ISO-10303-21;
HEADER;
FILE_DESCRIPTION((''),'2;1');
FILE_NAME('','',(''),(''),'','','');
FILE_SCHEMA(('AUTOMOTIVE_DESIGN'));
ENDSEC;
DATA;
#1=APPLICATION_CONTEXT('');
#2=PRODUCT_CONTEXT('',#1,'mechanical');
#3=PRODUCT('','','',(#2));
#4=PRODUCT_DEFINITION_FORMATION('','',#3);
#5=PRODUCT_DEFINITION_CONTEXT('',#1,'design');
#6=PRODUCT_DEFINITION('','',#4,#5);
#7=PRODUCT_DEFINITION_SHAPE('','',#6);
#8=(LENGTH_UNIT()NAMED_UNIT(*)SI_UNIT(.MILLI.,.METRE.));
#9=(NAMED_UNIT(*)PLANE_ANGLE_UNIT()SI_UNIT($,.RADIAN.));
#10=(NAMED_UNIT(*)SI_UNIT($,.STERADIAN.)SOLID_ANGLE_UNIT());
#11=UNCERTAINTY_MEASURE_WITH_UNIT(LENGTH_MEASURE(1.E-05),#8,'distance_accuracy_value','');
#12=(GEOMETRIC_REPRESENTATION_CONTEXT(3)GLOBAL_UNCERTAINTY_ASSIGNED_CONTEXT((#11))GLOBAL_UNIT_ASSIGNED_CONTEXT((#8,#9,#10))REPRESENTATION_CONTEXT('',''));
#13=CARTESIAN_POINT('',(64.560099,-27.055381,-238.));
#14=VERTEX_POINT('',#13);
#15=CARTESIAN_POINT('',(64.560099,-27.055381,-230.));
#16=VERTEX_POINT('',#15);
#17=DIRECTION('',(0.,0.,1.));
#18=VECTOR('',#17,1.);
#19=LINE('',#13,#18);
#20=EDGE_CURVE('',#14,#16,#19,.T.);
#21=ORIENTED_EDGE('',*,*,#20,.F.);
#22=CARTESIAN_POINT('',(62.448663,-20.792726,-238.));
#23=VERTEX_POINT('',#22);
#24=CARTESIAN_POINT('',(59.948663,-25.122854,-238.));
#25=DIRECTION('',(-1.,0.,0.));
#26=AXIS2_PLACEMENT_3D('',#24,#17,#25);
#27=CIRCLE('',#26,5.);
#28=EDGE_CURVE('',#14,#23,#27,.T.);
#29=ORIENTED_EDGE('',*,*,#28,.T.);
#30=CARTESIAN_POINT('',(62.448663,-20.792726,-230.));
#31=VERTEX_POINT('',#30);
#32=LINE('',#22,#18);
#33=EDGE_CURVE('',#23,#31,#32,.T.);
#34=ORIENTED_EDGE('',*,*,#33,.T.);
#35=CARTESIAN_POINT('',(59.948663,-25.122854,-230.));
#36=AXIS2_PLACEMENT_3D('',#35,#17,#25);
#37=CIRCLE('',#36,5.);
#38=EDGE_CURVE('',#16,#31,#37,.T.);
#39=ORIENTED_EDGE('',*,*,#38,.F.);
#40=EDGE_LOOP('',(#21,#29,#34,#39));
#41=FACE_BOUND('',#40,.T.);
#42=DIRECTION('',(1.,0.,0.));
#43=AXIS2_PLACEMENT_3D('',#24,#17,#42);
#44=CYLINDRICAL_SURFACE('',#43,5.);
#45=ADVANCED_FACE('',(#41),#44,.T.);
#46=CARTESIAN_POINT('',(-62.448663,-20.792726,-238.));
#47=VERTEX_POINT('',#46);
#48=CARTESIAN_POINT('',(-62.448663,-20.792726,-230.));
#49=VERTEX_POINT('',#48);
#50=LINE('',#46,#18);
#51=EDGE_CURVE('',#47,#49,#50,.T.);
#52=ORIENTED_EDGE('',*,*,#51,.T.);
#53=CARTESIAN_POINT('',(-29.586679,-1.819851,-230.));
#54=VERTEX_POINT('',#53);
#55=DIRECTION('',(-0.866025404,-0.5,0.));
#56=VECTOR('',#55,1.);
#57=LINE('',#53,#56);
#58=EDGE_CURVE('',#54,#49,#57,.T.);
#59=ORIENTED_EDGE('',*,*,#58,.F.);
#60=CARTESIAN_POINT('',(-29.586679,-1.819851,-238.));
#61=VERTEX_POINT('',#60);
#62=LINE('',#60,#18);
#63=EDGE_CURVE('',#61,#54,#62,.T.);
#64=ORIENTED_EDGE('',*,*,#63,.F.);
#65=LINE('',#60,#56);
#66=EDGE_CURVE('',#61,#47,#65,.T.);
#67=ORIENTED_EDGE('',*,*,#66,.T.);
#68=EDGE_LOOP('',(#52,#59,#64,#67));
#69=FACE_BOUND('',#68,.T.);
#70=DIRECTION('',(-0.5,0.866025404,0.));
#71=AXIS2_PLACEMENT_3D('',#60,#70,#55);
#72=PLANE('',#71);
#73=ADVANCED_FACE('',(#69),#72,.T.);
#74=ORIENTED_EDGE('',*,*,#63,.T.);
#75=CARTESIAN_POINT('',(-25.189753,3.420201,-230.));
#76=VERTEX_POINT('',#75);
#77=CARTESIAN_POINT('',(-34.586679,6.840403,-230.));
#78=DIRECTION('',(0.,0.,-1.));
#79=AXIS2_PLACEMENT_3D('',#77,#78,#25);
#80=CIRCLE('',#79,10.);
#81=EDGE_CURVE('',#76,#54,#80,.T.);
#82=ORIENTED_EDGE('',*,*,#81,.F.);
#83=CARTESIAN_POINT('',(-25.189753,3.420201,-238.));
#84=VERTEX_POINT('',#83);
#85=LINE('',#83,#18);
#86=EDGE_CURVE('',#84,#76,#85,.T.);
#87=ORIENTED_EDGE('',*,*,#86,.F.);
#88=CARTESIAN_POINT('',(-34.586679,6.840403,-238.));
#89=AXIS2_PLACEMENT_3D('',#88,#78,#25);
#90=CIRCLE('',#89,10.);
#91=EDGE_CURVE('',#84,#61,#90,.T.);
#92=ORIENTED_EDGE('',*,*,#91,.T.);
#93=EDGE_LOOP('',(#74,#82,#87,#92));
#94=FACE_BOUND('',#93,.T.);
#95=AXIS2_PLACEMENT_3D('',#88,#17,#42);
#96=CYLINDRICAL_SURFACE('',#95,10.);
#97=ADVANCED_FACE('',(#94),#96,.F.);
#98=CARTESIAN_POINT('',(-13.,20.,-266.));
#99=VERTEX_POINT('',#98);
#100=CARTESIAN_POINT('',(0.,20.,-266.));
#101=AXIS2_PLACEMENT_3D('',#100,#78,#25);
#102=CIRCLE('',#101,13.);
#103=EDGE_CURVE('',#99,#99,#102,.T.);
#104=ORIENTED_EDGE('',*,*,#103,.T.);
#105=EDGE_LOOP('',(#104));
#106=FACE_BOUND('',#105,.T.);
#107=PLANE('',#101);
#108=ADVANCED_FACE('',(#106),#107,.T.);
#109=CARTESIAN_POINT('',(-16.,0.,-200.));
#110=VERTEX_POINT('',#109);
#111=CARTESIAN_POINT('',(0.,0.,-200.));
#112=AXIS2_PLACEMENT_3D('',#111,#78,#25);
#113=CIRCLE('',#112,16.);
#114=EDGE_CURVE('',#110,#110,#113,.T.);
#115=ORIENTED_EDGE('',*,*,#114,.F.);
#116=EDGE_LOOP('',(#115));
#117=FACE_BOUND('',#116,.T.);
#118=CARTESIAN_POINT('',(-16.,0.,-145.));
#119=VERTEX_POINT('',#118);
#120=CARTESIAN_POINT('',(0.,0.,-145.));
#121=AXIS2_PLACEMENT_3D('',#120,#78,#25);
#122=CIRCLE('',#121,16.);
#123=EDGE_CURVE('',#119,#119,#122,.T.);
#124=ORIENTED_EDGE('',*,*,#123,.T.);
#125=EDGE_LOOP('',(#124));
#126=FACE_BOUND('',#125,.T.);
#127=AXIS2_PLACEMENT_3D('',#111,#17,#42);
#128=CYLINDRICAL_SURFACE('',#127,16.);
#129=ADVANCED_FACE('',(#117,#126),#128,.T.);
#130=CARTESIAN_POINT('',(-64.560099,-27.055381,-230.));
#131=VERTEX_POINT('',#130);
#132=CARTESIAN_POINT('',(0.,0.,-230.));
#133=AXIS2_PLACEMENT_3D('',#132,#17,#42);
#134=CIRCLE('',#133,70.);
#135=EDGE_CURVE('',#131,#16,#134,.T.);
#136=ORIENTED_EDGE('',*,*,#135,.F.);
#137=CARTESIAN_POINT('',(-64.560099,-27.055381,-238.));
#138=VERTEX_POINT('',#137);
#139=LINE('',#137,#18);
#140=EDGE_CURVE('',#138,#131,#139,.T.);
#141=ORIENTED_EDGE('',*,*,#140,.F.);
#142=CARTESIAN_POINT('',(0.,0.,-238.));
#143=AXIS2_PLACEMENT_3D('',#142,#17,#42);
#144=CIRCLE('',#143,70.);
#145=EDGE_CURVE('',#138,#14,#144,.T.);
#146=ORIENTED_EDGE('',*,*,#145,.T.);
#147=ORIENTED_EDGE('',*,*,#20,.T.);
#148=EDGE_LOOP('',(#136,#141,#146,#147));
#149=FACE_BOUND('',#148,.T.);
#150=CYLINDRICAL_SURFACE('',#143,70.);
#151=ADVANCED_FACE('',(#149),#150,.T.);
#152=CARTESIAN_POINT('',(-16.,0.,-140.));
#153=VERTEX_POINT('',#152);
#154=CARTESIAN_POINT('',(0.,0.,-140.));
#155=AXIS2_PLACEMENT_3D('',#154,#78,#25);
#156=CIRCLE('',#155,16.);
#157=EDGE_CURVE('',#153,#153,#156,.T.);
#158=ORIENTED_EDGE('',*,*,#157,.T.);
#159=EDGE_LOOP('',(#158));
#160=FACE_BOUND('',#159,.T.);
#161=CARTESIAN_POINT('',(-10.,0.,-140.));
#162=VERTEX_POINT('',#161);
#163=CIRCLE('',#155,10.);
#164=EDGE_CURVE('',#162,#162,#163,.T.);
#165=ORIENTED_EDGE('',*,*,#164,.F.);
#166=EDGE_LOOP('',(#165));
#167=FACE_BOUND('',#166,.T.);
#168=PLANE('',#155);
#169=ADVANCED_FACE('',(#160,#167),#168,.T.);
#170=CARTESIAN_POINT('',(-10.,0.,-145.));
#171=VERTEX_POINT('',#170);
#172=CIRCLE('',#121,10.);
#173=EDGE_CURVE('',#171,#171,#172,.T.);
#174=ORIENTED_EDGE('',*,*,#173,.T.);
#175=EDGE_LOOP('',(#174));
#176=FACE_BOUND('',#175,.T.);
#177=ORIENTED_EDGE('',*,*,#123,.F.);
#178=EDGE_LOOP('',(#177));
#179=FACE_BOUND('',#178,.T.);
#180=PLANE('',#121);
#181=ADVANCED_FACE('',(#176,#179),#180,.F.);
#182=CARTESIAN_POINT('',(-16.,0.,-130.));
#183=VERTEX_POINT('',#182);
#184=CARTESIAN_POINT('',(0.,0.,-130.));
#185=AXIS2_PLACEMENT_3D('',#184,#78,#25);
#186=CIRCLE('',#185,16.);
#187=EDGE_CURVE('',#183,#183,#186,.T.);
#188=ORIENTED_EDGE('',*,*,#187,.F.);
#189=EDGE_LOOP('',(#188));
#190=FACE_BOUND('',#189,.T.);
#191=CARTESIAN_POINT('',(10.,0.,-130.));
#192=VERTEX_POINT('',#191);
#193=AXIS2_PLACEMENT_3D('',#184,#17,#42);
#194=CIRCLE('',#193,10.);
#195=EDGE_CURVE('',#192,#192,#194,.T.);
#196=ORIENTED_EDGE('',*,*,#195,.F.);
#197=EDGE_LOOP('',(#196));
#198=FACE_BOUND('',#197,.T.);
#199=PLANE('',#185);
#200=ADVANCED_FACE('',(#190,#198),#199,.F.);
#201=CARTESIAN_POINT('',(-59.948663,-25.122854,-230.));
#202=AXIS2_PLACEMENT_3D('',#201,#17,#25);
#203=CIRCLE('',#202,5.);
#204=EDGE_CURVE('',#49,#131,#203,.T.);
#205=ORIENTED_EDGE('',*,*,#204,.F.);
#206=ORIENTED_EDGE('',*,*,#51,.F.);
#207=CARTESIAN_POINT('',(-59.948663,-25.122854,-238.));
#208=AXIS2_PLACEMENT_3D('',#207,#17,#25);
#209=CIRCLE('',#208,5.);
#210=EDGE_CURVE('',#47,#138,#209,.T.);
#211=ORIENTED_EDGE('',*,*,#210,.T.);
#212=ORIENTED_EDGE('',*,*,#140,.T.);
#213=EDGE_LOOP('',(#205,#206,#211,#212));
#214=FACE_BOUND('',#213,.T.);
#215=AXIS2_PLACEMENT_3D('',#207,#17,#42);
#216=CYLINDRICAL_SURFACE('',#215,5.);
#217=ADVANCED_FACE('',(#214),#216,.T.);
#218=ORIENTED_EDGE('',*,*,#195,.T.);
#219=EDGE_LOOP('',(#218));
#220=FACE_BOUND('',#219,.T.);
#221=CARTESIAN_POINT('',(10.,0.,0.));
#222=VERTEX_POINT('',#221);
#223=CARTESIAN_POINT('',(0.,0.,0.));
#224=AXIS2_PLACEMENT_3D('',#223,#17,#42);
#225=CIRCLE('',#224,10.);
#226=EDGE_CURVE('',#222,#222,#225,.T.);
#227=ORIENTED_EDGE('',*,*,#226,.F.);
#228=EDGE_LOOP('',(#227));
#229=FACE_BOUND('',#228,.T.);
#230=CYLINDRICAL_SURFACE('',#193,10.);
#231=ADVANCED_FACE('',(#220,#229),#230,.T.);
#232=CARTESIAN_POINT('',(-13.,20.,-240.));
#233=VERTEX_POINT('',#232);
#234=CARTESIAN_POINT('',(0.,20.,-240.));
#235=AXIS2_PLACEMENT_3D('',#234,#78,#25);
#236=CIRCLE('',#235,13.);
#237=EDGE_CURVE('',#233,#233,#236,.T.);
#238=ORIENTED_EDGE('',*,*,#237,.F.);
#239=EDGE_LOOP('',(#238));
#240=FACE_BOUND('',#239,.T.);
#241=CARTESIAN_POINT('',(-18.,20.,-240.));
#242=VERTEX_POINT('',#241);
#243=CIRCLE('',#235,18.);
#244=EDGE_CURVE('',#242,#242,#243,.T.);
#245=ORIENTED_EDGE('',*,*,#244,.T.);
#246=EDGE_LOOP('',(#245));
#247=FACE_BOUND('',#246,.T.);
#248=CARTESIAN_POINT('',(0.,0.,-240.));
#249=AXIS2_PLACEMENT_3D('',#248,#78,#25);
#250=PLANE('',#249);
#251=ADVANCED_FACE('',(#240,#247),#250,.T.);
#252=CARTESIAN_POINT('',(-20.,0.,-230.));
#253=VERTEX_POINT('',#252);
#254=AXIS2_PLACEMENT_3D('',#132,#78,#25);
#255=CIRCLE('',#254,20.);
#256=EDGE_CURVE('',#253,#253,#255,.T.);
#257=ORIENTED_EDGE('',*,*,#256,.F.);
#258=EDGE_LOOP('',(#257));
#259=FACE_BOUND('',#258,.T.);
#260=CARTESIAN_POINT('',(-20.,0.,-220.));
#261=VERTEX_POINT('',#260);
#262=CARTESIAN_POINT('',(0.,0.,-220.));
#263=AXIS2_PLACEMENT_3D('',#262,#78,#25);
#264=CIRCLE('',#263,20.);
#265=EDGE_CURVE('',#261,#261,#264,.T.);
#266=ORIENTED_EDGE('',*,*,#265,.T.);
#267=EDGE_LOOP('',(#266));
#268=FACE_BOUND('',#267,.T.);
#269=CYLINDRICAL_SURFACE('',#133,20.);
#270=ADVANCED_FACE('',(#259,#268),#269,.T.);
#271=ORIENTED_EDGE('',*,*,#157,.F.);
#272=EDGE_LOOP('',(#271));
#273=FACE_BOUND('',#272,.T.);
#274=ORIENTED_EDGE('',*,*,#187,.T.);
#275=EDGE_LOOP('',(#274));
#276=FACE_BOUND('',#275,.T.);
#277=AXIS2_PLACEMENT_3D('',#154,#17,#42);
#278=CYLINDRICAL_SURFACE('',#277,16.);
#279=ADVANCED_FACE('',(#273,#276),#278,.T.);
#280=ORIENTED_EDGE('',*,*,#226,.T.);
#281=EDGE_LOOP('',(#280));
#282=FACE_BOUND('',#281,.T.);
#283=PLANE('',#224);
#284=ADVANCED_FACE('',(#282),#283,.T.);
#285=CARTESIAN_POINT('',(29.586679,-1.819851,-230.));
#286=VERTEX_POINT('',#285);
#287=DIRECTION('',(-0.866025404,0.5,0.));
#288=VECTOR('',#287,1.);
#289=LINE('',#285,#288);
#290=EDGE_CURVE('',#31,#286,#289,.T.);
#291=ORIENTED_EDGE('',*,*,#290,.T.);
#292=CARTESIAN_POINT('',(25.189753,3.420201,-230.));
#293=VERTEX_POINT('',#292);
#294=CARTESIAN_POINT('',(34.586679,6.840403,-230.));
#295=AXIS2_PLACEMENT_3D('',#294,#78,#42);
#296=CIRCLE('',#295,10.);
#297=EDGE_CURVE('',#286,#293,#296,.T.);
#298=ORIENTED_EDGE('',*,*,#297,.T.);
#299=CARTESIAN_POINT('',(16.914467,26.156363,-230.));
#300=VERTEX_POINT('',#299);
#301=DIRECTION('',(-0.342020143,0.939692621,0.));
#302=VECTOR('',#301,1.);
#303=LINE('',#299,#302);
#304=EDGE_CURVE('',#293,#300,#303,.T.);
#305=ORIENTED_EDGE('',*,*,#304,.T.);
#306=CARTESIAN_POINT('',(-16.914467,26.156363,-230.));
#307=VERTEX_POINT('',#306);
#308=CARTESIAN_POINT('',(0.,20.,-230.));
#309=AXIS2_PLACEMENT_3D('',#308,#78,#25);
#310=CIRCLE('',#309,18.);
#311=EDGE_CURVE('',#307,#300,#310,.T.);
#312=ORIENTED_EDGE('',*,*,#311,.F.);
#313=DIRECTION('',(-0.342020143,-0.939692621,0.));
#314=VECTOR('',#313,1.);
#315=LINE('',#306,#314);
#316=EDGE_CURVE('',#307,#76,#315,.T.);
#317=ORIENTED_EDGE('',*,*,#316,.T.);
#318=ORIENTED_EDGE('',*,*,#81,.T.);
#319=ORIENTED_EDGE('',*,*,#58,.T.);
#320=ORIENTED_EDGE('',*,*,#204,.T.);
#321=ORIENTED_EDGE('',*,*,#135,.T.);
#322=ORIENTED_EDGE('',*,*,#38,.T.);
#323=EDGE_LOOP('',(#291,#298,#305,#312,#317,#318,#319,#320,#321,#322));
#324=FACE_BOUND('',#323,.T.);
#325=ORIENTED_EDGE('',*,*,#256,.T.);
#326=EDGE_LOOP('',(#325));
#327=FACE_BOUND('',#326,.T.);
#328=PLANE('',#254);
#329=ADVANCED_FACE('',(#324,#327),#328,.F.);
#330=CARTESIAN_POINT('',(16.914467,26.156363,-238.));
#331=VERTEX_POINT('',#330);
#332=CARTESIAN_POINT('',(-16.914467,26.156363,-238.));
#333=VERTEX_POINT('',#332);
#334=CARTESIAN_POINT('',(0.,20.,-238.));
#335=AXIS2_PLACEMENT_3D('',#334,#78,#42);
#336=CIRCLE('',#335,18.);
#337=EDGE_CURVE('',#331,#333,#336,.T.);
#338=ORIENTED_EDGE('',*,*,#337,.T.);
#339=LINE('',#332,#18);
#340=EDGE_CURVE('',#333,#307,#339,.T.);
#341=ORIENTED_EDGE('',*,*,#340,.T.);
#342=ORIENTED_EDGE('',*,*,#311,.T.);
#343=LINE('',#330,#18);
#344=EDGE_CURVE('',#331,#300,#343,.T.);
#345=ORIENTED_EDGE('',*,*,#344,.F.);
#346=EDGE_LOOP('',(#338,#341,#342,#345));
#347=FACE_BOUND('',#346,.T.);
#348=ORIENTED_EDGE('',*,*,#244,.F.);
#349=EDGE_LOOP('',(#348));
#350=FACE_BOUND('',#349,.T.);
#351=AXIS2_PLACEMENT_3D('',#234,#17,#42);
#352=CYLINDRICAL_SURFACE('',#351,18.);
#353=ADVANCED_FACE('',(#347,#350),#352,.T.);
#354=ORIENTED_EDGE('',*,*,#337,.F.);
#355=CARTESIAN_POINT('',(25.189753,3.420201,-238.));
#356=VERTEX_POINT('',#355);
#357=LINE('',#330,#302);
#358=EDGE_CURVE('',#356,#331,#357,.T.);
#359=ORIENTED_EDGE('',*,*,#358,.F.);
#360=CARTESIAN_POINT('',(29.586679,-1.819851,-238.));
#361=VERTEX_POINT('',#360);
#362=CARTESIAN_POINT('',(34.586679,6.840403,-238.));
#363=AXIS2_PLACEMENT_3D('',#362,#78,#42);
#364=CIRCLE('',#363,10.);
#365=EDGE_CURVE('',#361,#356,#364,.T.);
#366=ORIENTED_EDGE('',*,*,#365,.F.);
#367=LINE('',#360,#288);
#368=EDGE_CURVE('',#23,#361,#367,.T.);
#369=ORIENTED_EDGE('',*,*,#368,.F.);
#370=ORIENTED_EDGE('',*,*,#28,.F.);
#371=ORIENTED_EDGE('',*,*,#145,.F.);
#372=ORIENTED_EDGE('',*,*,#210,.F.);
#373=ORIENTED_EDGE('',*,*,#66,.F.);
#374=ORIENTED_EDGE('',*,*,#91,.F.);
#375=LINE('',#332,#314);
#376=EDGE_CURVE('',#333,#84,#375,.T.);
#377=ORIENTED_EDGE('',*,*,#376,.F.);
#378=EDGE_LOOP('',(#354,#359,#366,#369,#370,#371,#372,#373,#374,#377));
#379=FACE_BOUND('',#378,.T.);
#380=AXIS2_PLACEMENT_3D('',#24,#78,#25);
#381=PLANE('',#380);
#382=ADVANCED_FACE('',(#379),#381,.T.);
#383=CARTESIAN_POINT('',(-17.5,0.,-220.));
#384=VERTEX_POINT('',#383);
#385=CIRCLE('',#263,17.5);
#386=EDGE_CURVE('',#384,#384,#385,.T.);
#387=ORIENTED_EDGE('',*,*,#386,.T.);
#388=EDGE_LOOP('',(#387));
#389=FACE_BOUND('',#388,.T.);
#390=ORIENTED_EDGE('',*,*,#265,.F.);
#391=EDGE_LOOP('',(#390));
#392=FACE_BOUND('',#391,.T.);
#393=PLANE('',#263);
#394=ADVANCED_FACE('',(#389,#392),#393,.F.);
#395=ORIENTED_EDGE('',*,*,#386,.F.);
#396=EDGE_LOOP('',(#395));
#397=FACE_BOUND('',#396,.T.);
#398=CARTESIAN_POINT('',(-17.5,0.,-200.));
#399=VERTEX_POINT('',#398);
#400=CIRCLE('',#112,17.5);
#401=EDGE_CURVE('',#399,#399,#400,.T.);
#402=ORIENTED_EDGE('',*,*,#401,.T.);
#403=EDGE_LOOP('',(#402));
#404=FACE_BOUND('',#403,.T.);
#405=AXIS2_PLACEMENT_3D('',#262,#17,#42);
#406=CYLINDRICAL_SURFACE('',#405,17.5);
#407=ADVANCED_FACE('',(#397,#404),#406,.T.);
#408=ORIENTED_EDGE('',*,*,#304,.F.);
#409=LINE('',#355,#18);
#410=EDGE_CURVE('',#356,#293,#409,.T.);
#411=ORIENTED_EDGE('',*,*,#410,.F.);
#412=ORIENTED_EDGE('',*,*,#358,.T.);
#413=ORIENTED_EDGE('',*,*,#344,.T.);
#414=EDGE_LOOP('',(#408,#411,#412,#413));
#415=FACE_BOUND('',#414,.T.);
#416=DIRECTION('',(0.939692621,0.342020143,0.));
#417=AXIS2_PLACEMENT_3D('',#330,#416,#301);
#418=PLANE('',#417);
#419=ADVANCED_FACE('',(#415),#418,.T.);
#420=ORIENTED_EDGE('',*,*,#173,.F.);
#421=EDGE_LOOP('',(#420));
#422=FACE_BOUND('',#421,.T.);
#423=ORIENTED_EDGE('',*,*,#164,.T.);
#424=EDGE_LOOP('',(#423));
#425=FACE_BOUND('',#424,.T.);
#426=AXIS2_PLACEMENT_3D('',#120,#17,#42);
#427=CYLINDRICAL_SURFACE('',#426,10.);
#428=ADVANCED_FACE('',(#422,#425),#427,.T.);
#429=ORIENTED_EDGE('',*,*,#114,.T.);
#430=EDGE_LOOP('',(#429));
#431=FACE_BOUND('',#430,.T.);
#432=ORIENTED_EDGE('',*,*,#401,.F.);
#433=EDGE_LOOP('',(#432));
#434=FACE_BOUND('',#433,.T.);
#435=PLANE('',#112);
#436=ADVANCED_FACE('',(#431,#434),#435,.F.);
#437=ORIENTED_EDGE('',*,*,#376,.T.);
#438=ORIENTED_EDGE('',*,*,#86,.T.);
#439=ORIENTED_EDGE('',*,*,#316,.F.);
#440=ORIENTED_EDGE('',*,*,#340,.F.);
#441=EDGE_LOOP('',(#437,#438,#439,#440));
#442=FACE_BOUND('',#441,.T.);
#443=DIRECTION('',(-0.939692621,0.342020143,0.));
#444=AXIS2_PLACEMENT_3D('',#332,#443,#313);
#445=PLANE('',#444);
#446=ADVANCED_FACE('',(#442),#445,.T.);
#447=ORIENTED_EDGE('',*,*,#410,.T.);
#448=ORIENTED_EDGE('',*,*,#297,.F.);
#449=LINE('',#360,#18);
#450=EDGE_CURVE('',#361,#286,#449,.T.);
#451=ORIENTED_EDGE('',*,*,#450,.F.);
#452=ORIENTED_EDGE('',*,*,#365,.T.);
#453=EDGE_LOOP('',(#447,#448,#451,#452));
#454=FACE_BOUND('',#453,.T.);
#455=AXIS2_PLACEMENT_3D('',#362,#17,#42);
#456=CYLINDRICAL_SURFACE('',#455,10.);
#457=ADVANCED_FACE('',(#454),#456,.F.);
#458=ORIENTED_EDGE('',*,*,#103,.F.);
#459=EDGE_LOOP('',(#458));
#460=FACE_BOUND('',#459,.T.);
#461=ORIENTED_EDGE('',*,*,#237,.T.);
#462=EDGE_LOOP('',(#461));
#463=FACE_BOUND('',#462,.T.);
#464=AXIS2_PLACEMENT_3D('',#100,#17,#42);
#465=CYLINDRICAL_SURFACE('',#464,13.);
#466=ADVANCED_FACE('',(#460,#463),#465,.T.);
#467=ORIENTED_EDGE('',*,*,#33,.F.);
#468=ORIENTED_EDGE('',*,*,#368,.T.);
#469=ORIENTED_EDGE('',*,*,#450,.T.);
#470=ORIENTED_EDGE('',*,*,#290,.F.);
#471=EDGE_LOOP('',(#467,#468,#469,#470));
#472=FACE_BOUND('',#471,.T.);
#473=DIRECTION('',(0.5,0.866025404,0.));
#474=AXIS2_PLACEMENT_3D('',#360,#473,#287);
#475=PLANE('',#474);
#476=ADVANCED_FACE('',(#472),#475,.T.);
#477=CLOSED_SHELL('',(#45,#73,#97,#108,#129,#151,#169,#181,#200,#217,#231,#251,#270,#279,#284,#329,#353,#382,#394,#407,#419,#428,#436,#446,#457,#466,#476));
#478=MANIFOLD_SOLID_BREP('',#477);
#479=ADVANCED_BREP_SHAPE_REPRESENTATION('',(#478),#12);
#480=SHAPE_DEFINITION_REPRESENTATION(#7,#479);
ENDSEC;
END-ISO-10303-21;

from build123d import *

# Parameters (mm, degrees)
SKETCH1_R            = 10
BOSS_EXTRUDE1_DEPTH  = 130
SKETCH2_R            = 16
BOSS_EXTRUDE2_DEPTH  = 10
SKETCH3_R            = 10
BOSS_EXTRUDE4_DEPTH  = 5
SKETCH6_R            = 16
BOSS_EXTRUDE5_DEPTH  = 55
SKETCH7_R            = 17.5
BOSS_EXTRUDE6_DEPTH  = 20
SKETCH8_R            = 20
BOSS_EXTRUDE7_DEPTH  = 10
SKETCH9_R            = 18
BOSS_EXTRUDE8_DEPTH  = 10
SKETCH10_R           = 13
BOSS_EXTRUDE9_DEPTH  = 26
BOSS_EXTRUDE10_DEPTH = 8


with BuildPart() as part:
    # Sketch1 → Boss-Extrude1 (new body)
    with BuildSketch(Plane.XY):
        Circle(SKETCH1_R)
    extrude(amount=-BOSS_EXTRUDE1_DEPTH)

    # Sketch2 → Boss-Extrude2 (add)
    with BuildSketch(Plane(origin=(0, 0, -130), x_dir=(-1, 0, 0), z_dir=(0, 0, -1))):
        Circle(SKETCH2_R)
    extrude(amount=BOSS_EXTRUDE2_DEPTH)

    # Sketch3 → Boss-Extrude4 (add)
    with BuildSketch(Plane(origin=(0, 0, -140), x_dir=(-1, 0, 0), z_dir=(0, 0, -1))):
        Circle(SKETCH3_R)
    extrude(amount=BOSS_EXTRUDE4_DEPTH)

    # Sketch6 → Boss-Extrude5 (add)
    with BuildSketch(Plane(origin=(0, 0, -145), x_dir=(-1, 0, 0), z_dir=(0, 0, -1))):
        Circle(SKETCH6_R)
    extrude(amount=BOSS_EXTRUDE5_DEPTH)

    # Sketch7 → Boss-Extrude6 (add)
    with BuildSketch(Plane(origin=(0, 0, -200), x_dir=(-1, 0, 0), z_dir=(0, 0, -1))):
        Circle(SKETCH7_R)
    extrude(amount=BOSS_EXTRUDE6_DEPTH)

    # Sketch8 → Boss-Extrude7 (add)
    with BuildSketch(Plane(origin=(0, 0, -220), x_dir=(-1, 0, 0), z_dir=(0, 0, -1))):
        Circle(SKETCH8_R)
    extrude(amount=BOSS_EXTRUDE7_DEPTH)

    # Sketch9 → Boss-Extrude8 (add)
    with BuildSketch(Plane(origin=(0, 0, -230), x_dir=(-1, 0, 0), z_dir=(0, 0, -1))):
        with Locations((0, 20)):
            Circle(SKETCH9_R)
    extrude(amount=BOSS_EXTRUDE8_DEPTH)

    # Sketch10 → Boss-Extrude9 (add)
    with BuildSketch(Plane(origin=(0, 0, -240), x_dir=(-1, 0, 0), z_dir=(0, 0, -1))):
        with Locations((0, 20)):
            Circle(SKETCH10_R)
    extrude(amount=BOSS_EXTRUDE9_DEPTH)

    # Sketch11 → Boss-Extrude10 (add)
    with BuildSketch(Plane.XY.offset(-230)):
        with BuildLine():
            Line((-16.914467174, 26.15636258), (-25.189753073, 3.420201433))
            ThreePointArc((-25.189753073, 3.420201433), (-26.92623485, 0.41252677), (-29.586679281, -1.819851171))
            Line((-29.586679281, -1.819851171), (-62.4486633, -20.792726491))
            ThreePointArc((-62.4486633, -20.792726491), (-64.686631077, -23.525461465), (-64.560098939, -27.055380703))
            ThreePointArc((-64.560098939, -27.055380703), (0, -70), (64.560098939, -27.055380703))
            ThreePointArc((64.560098939, -27.055380703), (64.686631077, -23.525461465), (62.4486633, -20.792726491))
            Line((62.4486633, -20.792726491), (29.586679281, -1.819851171))
            ThreePointArc((29.586679281, -1.819851171), (26.92623485, 0.41252677), (25.189753073, 3.420201433))
            Line((25.189753073, 3.420201433), (16.914467174, 26.15636258))
            ThreePointArc((16.914467174, 26.15636258), (0, 2), (-16.914467174, 26.15636258))
        make_face()
    extrude(amount=-BOSS_EXTRUDE10_DEPTH)


solid = part.part
